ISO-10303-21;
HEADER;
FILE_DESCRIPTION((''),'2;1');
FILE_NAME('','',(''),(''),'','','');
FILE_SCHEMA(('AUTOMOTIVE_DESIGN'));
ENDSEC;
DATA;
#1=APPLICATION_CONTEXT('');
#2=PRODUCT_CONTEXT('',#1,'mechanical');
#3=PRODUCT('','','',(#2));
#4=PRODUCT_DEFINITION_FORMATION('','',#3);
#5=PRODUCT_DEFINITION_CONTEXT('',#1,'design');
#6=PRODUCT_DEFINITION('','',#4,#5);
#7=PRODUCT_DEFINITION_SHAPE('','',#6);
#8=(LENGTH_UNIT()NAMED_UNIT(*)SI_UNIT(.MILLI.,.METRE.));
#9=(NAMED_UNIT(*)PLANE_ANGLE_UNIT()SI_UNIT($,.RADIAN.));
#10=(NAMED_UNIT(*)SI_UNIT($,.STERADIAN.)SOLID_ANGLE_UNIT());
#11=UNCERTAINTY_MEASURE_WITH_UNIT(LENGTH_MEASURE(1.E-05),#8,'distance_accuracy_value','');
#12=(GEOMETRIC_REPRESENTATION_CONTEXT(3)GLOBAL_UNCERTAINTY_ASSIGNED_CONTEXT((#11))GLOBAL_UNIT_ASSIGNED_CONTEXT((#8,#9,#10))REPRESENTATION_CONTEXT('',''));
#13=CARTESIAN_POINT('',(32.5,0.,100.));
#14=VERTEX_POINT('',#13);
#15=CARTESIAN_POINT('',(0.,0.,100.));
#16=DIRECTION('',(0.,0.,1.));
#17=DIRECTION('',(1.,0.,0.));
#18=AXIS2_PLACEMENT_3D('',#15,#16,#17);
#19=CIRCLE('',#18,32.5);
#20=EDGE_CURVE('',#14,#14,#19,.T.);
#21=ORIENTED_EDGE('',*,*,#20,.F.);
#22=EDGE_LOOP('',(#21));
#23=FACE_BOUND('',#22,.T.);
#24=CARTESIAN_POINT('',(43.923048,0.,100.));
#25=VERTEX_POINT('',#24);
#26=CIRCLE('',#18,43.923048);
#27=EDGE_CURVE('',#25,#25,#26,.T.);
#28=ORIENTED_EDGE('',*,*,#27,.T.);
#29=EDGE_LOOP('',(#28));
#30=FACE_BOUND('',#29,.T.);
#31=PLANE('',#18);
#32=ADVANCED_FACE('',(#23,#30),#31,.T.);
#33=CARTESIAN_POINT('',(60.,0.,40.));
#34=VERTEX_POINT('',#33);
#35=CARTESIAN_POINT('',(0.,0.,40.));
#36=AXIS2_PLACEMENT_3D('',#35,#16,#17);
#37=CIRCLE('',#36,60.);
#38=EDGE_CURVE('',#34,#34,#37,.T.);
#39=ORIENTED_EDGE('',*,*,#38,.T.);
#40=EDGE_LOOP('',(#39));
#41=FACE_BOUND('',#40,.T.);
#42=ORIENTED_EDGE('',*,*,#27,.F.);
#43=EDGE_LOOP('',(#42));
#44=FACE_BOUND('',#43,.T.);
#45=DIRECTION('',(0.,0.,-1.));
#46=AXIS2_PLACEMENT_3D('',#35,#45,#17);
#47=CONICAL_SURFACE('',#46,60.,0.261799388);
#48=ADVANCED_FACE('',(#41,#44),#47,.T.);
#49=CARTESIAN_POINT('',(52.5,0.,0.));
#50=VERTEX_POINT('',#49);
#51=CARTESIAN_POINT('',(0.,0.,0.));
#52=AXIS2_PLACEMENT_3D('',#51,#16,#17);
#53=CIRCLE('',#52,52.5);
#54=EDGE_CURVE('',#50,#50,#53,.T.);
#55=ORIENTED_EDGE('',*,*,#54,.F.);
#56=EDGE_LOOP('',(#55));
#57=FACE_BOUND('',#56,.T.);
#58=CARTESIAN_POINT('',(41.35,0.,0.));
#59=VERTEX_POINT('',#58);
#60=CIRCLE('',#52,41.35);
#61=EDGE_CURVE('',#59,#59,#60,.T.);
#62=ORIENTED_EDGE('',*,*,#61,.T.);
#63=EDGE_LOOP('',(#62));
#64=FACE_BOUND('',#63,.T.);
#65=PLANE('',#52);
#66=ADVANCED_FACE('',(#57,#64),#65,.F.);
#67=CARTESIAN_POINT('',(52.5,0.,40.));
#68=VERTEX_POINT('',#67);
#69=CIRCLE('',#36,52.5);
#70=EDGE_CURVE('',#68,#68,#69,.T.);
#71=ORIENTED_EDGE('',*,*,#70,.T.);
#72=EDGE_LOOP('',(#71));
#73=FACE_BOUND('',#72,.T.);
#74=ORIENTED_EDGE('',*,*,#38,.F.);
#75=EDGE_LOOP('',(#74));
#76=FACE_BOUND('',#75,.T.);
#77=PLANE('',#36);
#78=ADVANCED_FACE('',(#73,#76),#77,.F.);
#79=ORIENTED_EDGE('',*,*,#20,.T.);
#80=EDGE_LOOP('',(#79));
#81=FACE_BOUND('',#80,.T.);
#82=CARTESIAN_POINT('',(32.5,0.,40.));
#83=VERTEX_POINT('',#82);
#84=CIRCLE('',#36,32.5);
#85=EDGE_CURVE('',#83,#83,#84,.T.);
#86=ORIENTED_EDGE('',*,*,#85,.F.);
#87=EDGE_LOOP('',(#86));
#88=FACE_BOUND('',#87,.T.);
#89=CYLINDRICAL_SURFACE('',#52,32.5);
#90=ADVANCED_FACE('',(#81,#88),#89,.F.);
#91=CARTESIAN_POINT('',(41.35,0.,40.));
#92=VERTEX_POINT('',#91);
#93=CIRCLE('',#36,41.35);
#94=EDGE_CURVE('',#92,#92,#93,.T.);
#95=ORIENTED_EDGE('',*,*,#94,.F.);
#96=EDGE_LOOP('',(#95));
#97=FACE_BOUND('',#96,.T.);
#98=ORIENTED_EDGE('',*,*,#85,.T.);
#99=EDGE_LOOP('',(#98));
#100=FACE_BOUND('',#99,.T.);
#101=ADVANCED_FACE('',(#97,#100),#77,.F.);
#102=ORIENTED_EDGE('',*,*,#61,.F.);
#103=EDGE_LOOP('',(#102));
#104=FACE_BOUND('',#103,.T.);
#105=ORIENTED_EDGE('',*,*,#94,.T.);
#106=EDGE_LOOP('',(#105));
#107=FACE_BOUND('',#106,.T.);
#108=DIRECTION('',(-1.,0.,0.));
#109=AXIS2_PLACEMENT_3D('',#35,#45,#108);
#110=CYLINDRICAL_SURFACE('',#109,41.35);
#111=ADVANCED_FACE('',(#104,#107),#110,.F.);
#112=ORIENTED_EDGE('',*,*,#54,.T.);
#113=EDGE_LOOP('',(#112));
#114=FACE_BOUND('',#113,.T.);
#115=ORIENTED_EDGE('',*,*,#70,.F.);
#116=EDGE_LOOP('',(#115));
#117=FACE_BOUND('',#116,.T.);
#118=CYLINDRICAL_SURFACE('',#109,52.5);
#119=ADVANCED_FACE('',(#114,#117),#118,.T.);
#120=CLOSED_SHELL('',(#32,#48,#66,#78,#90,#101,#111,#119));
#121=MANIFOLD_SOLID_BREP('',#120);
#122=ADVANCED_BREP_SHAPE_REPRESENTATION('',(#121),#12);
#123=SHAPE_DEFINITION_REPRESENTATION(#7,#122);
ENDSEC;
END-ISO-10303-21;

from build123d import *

# Parameters (mm, degrees)
SKETCH3_R           = 52.5
SKETCH3_R_2         = 41.35
BOSS_EXTRUDE3_DEPTH = 40
SKETCH6_R           = 60
BOSS_EXTRUDE5_DEPTH = 60
BOSS_EXTRUDE5_TAPER = 15
SKETCH7_R           = 32.5
CUT_EXTRUDE1_DEPTH  = 132.148770486


with BuildPart() as part:
    # Sketch3 → Boss-Extrude3 (new body)
    with BuildSketch(Plane.XY):
        Circle(SKETCH3_R)
        Circle(SKETCH3_R_2, mode=Mode.SUBTRACT)
    extrude(amount=BOSS_EXTRUDE3_DEPTH)

    # Sketch6 → Boss-Extrude5 (add)
    with BuildSketch(Plane.XY.offset(40)):
        Circle(SKETCH6_R)
    extrude(amount=BOSS_EXTRUDE5_DEPTH, taper=BOSS_EXTRUDE5_TAPER)

    # Sketch7 → Cut-Extrude1 (cut, through all)
    with BuildSketch(Plane.XY.offset(100)):
        Circle(SKETCH7_R)
    extrude(amount=-CUT_EXTRUDE1_DEPTH, mode=Mode.SUBTRACT)


solid = part.part
